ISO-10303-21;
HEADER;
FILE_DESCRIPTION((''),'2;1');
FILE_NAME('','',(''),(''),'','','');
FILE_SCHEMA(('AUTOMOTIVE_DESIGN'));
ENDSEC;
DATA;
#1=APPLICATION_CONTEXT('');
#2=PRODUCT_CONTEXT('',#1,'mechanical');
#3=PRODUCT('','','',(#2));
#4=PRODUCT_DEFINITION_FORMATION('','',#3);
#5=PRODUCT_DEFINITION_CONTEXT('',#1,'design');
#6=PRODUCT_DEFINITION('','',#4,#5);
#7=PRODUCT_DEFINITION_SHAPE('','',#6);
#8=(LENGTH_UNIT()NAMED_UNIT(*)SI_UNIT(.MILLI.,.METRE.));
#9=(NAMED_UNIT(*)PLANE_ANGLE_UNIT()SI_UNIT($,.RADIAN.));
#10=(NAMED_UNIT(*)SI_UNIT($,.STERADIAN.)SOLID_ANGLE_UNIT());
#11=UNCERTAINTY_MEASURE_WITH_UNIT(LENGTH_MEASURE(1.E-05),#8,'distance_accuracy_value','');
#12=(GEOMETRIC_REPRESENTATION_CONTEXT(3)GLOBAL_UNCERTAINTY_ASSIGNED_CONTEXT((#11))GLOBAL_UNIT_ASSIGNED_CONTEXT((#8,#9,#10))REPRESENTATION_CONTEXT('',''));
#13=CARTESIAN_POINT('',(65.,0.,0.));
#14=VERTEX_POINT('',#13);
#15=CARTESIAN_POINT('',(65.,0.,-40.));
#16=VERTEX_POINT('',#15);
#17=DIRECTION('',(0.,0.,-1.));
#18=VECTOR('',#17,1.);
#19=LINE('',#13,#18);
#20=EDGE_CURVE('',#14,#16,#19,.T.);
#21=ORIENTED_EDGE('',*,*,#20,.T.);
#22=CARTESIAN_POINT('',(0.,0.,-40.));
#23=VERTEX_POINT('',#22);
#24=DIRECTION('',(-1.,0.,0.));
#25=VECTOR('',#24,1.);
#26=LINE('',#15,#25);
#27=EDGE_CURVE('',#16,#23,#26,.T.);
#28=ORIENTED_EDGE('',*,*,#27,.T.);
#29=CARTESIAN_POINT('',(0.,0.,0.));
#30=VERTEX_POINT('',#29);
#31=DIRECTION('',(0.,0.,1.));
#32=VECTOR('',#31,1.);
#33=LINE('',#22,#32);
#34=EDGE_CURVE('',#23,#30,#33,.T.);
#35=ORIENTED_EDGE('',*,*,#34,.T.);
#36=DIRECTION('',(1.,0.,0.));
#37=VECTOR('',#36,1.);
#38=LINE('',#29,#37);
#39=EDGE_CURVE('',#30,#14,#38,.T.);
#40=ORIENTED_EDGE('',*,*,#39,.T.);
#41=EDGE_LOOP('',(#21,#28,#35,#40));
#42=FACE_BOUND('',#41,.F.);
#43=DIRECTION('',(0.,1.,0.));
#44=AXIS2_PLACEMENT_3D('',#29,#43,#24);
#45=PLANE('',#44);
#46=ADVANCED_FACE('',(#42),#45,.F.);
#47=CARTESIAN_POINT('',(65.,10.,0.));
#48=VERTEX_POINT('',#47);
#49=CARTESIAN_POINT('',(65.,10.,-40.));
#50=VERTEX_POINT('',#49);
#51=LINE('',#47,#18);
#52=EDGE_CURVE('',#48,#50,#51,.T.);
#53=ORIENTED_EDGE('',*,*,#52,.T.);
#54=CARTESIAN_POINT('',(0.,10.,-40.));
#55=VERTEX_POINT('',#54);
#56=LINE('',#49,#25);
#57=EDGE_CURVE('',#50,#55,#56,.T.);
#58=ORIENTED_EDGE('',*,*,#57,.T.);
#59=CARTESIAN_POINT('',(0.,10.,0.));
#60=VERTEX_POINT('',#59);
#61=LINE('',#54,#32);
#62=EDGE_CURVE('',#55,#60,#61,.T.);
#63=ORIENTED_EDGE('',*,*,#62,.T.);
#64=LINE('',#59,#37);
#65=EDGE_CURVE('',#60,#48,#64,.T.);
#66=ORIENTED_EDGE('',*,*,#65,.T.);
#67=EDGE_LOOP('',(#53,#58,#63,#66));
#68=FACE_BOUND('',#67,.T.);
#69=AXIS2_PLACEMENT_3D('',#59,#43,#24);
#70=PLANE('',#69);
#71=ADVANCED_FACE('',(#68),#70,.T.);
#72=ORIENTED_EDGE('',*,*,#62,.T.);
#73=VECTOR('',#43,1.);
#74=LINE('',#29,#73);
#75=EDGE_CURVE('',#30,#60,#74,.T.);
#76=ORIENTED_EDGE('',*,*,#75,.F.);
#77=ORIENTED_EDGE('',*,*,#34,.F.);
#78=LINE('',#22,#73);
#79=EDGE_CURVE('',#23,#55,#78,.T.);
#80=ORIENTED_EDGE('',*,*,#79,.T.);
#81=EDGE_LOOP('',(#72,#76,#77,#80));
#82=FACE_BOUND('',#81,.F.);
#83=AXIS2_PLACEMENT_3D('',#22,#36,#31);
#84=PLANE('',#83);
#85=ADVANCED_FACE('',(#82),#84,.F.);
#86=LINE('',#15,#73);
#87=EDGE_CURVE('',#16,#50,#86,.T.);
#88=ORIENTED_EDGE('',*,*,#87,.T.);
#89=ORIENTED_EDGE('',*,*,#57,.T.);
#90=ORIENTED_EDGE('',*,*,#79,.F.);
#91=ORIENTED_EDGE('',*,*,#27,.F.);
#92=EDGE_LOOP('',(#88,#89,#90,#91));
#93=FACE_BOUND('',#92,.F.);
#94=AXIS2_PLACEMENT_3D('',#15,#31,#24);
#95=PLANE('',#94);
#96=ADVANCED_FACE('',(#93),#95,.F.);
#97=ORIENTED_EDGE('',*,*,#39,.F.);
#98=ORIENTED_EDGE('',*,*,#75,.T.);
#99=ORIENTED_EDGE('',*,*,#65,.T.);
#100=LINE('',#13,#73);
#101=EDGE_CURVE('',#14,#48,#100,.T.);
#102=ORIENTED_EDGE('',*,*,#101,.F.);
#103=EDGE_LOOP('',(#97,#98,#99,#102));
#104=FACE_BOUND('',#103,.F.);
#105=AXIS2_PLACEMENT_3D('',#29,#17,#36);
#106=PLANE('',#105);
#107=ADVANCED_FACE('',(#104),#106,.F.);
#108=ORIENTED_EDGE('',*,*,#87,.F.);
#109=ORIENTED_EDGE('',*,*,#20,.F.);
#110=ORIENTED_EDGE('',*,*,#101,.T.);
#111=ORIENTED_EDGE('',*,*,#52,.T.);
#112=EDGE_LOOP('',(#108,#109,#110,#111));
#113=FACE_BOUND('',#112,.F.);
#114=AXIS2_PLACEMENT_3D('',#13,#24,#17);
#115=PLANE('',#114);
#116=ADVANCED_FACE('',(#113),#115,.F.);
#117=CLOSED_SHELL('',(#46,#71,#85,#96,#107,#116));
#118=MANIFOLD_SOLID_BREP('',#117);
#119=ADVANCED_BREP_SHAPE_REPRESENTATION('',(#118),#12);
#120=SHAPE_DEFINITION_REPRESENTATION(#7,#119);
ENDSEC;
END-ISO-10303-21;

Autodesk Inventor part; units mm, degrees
ref_plane "YZ Plane" through (0, 0, 0) normal (1, 0, 0) x (0, 1, 0)
ref_plane "XZ Plane" through (0, 0, 0) normal (0, 1, 0) x (-1, 0, 0)
ref_plane "XY Plane" through (0, 0, 0) normal (0, 0, 1) x (1, 0, 0)
sketch "Sketch1" plane through (0, 0, 0) normal (0, 1, 0) x (-1, 0, 0)
  line L0 (0, 0) -> (-65, 0)
  line L1 (-65, 0) -> (-65, -40)
  line L2 (-65, -40) -> (0, -40)
  line L3 (0, -40) -> (0, 0)
  dimension "d0" = 65
  dimension "d1" = 40
extrude "Extrusion1" add sketch "Sketch1" along normal blind 10
properties part number "baza"
